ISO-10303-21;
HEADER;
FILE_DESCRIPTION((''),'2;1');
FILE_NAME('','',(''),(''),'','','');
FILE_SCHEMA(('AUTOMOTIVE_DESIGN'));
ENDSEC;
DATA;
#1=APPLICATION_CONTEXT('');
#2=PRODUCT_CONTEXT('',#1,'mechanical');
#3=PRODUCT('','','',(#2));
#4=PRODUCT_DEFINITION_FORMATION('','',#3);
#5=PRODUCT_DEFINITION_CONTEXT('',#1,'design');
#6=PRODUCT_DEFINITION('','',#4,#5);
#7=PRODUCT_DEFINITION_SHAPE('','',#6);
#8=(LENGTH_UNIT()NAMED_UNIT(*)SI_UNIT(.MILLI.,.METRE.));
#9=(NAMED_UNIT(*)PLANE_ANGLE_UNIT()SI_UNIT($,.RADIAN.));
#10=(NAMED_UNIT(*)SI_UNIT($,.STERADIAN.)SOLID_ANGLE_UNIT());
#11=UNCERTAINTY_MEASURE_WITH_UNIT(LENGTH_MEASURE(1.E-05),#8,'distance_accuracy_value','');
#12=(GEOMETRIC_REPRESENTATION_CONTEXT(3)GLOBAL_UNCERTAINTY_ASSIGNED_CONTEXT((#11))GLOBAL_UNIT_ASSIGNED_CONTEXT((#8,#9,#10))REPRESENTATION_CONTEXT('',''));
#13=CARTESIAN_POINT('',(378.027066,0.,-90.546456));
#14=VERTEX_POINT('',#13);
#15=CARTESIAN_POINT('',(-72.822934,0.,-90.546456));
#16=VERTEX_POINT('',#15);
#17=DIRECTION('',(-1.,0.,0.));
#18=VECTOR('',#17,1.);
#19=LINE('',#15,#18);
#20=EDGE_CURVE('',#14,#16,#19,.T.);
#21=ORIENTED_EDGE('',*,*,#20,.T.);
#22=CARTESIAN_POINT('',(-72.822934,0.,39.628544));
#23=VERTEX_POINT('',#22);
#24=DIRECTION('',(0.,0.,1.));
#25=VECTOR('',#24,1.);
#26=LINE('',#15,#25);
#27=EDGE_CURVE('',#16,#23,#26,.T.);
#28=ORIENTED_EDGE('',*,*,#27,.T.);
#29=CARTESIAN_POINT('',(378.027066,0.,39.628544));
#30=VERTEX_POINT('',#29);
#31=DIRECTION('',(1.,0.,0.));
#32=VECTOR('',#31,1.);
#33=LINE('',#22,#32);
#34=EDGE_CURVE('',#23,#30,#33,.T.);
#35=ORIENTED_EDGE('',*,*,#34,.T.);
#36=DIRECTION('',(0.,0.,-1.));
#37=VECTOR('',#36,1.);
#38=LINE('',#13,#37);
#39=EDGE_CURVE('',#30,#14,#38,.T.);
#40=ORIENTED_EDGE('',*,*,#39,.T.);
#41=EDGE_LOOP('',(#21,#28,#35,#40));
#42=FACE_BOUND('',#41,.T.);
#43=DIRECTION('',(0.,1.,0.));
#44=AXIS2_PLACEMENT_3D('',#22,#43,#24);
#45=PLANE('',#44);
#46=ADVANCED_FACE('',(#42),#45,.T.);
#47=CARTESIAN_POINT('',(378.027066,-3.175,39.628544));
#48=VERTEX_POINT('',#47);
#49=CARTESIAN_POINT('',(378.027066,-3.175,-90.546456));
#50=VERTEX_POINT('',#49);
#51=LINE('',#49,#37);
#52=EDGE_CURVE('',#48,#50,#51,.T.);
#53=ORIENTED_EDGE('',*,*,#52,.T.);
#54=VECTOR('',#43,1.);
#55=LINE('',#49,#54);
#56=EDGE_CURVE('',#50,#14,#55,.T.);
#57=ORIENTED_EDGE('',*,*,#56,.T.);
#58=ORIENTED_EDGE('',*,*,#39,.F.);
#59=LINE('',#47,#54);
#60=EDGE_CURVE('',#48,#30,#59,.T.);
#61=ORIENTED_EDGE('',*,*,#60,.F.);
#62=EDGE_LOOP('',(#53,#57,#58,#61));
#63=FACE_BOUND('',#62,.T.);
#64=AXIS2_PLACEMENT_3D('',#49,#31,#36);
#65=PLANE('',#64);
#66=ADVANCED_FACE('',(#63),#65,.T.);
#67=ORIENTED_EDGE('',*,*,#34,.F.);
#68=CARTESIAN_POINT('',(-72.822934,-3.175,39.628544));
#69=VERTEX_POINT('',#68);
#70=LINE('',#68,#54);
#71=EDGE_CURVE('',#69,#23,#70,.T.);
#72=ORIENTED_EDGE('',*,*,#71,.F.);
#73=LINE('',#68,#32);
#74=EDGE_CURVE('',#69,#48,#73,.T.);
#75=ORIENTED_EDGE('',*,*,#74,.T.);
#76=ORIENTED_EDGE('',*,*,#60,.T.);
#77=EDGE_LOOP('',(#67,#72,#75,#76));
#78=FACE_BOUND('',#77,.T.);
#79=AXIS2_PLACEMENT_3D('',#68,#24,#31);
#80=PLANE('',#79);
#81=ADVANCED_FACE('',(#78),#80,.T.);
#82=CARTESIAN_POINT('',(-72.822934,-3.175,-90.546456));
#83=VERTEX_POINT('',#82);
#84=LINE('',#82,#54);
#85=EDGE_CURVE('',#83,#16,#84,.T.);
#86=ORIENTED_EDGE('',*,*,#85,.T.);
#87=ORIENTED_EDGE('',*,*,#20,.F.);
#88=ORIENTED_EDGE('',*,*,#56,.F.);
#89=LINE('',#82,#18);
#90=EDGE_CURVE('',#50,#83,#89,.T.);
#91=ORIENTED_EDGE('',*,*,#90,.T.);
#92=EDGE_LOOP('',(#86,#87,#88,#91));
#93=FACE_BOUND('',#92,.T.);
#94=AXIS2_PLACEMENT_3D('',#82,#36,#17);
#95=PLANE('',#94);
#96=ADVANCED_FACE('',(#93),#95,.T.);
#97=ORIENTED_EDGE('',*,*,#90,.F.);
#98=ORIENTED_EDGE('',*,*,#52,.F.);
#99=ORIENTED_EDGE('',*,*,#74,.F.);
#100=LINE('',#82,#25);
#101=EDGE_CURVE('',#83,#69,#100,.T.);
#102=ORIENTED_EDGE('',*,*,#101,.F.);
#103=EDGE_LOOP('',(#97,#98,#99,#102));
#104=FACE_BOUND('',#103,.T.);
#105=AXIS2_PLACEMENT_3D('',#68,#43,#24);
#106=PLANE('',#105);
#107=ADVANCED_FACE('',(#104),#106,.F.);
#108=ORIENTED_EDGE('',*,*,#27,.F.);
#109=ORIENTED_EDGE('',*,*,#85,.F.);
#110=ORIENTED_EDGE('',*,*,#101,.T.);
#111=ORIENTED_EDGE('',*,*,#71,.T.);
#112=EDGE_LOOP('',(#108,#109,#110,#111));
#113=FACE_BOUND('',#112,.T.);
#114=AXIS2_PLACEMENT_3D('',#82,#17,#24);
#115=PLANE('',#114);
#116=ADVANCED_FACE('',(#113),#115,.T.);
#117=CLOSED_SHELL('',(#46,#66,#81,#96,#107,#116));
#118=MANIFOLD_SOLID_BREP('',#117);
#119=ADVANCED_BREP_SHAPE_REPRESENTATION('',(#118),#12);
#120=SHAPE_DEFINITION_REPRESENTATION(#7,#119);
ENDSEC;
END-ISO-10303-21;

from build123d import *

# Parameters (mm, degrees)
SKETCH1_W           = 450.85
SKETCH1_H           = 130.175
BOSS_EXTRUDE1_DEPTH = 3.175


with BuildPart() as part:
    # Sketch1 → Boss-Extrude1 (new body)
    with BuildSketch(Plane(origin=(0, 0, 0), x_dir=(1, 0, 0), z_dir=(0, 1, 0))):
        with Locations((152.602066407, 25.458955816)):
            Rectangle(SKETCH1_W, SKETCH1_H)
    extrude(amount=-BOSS_EXTRUDE1_DEPTH)


solid = part.part
